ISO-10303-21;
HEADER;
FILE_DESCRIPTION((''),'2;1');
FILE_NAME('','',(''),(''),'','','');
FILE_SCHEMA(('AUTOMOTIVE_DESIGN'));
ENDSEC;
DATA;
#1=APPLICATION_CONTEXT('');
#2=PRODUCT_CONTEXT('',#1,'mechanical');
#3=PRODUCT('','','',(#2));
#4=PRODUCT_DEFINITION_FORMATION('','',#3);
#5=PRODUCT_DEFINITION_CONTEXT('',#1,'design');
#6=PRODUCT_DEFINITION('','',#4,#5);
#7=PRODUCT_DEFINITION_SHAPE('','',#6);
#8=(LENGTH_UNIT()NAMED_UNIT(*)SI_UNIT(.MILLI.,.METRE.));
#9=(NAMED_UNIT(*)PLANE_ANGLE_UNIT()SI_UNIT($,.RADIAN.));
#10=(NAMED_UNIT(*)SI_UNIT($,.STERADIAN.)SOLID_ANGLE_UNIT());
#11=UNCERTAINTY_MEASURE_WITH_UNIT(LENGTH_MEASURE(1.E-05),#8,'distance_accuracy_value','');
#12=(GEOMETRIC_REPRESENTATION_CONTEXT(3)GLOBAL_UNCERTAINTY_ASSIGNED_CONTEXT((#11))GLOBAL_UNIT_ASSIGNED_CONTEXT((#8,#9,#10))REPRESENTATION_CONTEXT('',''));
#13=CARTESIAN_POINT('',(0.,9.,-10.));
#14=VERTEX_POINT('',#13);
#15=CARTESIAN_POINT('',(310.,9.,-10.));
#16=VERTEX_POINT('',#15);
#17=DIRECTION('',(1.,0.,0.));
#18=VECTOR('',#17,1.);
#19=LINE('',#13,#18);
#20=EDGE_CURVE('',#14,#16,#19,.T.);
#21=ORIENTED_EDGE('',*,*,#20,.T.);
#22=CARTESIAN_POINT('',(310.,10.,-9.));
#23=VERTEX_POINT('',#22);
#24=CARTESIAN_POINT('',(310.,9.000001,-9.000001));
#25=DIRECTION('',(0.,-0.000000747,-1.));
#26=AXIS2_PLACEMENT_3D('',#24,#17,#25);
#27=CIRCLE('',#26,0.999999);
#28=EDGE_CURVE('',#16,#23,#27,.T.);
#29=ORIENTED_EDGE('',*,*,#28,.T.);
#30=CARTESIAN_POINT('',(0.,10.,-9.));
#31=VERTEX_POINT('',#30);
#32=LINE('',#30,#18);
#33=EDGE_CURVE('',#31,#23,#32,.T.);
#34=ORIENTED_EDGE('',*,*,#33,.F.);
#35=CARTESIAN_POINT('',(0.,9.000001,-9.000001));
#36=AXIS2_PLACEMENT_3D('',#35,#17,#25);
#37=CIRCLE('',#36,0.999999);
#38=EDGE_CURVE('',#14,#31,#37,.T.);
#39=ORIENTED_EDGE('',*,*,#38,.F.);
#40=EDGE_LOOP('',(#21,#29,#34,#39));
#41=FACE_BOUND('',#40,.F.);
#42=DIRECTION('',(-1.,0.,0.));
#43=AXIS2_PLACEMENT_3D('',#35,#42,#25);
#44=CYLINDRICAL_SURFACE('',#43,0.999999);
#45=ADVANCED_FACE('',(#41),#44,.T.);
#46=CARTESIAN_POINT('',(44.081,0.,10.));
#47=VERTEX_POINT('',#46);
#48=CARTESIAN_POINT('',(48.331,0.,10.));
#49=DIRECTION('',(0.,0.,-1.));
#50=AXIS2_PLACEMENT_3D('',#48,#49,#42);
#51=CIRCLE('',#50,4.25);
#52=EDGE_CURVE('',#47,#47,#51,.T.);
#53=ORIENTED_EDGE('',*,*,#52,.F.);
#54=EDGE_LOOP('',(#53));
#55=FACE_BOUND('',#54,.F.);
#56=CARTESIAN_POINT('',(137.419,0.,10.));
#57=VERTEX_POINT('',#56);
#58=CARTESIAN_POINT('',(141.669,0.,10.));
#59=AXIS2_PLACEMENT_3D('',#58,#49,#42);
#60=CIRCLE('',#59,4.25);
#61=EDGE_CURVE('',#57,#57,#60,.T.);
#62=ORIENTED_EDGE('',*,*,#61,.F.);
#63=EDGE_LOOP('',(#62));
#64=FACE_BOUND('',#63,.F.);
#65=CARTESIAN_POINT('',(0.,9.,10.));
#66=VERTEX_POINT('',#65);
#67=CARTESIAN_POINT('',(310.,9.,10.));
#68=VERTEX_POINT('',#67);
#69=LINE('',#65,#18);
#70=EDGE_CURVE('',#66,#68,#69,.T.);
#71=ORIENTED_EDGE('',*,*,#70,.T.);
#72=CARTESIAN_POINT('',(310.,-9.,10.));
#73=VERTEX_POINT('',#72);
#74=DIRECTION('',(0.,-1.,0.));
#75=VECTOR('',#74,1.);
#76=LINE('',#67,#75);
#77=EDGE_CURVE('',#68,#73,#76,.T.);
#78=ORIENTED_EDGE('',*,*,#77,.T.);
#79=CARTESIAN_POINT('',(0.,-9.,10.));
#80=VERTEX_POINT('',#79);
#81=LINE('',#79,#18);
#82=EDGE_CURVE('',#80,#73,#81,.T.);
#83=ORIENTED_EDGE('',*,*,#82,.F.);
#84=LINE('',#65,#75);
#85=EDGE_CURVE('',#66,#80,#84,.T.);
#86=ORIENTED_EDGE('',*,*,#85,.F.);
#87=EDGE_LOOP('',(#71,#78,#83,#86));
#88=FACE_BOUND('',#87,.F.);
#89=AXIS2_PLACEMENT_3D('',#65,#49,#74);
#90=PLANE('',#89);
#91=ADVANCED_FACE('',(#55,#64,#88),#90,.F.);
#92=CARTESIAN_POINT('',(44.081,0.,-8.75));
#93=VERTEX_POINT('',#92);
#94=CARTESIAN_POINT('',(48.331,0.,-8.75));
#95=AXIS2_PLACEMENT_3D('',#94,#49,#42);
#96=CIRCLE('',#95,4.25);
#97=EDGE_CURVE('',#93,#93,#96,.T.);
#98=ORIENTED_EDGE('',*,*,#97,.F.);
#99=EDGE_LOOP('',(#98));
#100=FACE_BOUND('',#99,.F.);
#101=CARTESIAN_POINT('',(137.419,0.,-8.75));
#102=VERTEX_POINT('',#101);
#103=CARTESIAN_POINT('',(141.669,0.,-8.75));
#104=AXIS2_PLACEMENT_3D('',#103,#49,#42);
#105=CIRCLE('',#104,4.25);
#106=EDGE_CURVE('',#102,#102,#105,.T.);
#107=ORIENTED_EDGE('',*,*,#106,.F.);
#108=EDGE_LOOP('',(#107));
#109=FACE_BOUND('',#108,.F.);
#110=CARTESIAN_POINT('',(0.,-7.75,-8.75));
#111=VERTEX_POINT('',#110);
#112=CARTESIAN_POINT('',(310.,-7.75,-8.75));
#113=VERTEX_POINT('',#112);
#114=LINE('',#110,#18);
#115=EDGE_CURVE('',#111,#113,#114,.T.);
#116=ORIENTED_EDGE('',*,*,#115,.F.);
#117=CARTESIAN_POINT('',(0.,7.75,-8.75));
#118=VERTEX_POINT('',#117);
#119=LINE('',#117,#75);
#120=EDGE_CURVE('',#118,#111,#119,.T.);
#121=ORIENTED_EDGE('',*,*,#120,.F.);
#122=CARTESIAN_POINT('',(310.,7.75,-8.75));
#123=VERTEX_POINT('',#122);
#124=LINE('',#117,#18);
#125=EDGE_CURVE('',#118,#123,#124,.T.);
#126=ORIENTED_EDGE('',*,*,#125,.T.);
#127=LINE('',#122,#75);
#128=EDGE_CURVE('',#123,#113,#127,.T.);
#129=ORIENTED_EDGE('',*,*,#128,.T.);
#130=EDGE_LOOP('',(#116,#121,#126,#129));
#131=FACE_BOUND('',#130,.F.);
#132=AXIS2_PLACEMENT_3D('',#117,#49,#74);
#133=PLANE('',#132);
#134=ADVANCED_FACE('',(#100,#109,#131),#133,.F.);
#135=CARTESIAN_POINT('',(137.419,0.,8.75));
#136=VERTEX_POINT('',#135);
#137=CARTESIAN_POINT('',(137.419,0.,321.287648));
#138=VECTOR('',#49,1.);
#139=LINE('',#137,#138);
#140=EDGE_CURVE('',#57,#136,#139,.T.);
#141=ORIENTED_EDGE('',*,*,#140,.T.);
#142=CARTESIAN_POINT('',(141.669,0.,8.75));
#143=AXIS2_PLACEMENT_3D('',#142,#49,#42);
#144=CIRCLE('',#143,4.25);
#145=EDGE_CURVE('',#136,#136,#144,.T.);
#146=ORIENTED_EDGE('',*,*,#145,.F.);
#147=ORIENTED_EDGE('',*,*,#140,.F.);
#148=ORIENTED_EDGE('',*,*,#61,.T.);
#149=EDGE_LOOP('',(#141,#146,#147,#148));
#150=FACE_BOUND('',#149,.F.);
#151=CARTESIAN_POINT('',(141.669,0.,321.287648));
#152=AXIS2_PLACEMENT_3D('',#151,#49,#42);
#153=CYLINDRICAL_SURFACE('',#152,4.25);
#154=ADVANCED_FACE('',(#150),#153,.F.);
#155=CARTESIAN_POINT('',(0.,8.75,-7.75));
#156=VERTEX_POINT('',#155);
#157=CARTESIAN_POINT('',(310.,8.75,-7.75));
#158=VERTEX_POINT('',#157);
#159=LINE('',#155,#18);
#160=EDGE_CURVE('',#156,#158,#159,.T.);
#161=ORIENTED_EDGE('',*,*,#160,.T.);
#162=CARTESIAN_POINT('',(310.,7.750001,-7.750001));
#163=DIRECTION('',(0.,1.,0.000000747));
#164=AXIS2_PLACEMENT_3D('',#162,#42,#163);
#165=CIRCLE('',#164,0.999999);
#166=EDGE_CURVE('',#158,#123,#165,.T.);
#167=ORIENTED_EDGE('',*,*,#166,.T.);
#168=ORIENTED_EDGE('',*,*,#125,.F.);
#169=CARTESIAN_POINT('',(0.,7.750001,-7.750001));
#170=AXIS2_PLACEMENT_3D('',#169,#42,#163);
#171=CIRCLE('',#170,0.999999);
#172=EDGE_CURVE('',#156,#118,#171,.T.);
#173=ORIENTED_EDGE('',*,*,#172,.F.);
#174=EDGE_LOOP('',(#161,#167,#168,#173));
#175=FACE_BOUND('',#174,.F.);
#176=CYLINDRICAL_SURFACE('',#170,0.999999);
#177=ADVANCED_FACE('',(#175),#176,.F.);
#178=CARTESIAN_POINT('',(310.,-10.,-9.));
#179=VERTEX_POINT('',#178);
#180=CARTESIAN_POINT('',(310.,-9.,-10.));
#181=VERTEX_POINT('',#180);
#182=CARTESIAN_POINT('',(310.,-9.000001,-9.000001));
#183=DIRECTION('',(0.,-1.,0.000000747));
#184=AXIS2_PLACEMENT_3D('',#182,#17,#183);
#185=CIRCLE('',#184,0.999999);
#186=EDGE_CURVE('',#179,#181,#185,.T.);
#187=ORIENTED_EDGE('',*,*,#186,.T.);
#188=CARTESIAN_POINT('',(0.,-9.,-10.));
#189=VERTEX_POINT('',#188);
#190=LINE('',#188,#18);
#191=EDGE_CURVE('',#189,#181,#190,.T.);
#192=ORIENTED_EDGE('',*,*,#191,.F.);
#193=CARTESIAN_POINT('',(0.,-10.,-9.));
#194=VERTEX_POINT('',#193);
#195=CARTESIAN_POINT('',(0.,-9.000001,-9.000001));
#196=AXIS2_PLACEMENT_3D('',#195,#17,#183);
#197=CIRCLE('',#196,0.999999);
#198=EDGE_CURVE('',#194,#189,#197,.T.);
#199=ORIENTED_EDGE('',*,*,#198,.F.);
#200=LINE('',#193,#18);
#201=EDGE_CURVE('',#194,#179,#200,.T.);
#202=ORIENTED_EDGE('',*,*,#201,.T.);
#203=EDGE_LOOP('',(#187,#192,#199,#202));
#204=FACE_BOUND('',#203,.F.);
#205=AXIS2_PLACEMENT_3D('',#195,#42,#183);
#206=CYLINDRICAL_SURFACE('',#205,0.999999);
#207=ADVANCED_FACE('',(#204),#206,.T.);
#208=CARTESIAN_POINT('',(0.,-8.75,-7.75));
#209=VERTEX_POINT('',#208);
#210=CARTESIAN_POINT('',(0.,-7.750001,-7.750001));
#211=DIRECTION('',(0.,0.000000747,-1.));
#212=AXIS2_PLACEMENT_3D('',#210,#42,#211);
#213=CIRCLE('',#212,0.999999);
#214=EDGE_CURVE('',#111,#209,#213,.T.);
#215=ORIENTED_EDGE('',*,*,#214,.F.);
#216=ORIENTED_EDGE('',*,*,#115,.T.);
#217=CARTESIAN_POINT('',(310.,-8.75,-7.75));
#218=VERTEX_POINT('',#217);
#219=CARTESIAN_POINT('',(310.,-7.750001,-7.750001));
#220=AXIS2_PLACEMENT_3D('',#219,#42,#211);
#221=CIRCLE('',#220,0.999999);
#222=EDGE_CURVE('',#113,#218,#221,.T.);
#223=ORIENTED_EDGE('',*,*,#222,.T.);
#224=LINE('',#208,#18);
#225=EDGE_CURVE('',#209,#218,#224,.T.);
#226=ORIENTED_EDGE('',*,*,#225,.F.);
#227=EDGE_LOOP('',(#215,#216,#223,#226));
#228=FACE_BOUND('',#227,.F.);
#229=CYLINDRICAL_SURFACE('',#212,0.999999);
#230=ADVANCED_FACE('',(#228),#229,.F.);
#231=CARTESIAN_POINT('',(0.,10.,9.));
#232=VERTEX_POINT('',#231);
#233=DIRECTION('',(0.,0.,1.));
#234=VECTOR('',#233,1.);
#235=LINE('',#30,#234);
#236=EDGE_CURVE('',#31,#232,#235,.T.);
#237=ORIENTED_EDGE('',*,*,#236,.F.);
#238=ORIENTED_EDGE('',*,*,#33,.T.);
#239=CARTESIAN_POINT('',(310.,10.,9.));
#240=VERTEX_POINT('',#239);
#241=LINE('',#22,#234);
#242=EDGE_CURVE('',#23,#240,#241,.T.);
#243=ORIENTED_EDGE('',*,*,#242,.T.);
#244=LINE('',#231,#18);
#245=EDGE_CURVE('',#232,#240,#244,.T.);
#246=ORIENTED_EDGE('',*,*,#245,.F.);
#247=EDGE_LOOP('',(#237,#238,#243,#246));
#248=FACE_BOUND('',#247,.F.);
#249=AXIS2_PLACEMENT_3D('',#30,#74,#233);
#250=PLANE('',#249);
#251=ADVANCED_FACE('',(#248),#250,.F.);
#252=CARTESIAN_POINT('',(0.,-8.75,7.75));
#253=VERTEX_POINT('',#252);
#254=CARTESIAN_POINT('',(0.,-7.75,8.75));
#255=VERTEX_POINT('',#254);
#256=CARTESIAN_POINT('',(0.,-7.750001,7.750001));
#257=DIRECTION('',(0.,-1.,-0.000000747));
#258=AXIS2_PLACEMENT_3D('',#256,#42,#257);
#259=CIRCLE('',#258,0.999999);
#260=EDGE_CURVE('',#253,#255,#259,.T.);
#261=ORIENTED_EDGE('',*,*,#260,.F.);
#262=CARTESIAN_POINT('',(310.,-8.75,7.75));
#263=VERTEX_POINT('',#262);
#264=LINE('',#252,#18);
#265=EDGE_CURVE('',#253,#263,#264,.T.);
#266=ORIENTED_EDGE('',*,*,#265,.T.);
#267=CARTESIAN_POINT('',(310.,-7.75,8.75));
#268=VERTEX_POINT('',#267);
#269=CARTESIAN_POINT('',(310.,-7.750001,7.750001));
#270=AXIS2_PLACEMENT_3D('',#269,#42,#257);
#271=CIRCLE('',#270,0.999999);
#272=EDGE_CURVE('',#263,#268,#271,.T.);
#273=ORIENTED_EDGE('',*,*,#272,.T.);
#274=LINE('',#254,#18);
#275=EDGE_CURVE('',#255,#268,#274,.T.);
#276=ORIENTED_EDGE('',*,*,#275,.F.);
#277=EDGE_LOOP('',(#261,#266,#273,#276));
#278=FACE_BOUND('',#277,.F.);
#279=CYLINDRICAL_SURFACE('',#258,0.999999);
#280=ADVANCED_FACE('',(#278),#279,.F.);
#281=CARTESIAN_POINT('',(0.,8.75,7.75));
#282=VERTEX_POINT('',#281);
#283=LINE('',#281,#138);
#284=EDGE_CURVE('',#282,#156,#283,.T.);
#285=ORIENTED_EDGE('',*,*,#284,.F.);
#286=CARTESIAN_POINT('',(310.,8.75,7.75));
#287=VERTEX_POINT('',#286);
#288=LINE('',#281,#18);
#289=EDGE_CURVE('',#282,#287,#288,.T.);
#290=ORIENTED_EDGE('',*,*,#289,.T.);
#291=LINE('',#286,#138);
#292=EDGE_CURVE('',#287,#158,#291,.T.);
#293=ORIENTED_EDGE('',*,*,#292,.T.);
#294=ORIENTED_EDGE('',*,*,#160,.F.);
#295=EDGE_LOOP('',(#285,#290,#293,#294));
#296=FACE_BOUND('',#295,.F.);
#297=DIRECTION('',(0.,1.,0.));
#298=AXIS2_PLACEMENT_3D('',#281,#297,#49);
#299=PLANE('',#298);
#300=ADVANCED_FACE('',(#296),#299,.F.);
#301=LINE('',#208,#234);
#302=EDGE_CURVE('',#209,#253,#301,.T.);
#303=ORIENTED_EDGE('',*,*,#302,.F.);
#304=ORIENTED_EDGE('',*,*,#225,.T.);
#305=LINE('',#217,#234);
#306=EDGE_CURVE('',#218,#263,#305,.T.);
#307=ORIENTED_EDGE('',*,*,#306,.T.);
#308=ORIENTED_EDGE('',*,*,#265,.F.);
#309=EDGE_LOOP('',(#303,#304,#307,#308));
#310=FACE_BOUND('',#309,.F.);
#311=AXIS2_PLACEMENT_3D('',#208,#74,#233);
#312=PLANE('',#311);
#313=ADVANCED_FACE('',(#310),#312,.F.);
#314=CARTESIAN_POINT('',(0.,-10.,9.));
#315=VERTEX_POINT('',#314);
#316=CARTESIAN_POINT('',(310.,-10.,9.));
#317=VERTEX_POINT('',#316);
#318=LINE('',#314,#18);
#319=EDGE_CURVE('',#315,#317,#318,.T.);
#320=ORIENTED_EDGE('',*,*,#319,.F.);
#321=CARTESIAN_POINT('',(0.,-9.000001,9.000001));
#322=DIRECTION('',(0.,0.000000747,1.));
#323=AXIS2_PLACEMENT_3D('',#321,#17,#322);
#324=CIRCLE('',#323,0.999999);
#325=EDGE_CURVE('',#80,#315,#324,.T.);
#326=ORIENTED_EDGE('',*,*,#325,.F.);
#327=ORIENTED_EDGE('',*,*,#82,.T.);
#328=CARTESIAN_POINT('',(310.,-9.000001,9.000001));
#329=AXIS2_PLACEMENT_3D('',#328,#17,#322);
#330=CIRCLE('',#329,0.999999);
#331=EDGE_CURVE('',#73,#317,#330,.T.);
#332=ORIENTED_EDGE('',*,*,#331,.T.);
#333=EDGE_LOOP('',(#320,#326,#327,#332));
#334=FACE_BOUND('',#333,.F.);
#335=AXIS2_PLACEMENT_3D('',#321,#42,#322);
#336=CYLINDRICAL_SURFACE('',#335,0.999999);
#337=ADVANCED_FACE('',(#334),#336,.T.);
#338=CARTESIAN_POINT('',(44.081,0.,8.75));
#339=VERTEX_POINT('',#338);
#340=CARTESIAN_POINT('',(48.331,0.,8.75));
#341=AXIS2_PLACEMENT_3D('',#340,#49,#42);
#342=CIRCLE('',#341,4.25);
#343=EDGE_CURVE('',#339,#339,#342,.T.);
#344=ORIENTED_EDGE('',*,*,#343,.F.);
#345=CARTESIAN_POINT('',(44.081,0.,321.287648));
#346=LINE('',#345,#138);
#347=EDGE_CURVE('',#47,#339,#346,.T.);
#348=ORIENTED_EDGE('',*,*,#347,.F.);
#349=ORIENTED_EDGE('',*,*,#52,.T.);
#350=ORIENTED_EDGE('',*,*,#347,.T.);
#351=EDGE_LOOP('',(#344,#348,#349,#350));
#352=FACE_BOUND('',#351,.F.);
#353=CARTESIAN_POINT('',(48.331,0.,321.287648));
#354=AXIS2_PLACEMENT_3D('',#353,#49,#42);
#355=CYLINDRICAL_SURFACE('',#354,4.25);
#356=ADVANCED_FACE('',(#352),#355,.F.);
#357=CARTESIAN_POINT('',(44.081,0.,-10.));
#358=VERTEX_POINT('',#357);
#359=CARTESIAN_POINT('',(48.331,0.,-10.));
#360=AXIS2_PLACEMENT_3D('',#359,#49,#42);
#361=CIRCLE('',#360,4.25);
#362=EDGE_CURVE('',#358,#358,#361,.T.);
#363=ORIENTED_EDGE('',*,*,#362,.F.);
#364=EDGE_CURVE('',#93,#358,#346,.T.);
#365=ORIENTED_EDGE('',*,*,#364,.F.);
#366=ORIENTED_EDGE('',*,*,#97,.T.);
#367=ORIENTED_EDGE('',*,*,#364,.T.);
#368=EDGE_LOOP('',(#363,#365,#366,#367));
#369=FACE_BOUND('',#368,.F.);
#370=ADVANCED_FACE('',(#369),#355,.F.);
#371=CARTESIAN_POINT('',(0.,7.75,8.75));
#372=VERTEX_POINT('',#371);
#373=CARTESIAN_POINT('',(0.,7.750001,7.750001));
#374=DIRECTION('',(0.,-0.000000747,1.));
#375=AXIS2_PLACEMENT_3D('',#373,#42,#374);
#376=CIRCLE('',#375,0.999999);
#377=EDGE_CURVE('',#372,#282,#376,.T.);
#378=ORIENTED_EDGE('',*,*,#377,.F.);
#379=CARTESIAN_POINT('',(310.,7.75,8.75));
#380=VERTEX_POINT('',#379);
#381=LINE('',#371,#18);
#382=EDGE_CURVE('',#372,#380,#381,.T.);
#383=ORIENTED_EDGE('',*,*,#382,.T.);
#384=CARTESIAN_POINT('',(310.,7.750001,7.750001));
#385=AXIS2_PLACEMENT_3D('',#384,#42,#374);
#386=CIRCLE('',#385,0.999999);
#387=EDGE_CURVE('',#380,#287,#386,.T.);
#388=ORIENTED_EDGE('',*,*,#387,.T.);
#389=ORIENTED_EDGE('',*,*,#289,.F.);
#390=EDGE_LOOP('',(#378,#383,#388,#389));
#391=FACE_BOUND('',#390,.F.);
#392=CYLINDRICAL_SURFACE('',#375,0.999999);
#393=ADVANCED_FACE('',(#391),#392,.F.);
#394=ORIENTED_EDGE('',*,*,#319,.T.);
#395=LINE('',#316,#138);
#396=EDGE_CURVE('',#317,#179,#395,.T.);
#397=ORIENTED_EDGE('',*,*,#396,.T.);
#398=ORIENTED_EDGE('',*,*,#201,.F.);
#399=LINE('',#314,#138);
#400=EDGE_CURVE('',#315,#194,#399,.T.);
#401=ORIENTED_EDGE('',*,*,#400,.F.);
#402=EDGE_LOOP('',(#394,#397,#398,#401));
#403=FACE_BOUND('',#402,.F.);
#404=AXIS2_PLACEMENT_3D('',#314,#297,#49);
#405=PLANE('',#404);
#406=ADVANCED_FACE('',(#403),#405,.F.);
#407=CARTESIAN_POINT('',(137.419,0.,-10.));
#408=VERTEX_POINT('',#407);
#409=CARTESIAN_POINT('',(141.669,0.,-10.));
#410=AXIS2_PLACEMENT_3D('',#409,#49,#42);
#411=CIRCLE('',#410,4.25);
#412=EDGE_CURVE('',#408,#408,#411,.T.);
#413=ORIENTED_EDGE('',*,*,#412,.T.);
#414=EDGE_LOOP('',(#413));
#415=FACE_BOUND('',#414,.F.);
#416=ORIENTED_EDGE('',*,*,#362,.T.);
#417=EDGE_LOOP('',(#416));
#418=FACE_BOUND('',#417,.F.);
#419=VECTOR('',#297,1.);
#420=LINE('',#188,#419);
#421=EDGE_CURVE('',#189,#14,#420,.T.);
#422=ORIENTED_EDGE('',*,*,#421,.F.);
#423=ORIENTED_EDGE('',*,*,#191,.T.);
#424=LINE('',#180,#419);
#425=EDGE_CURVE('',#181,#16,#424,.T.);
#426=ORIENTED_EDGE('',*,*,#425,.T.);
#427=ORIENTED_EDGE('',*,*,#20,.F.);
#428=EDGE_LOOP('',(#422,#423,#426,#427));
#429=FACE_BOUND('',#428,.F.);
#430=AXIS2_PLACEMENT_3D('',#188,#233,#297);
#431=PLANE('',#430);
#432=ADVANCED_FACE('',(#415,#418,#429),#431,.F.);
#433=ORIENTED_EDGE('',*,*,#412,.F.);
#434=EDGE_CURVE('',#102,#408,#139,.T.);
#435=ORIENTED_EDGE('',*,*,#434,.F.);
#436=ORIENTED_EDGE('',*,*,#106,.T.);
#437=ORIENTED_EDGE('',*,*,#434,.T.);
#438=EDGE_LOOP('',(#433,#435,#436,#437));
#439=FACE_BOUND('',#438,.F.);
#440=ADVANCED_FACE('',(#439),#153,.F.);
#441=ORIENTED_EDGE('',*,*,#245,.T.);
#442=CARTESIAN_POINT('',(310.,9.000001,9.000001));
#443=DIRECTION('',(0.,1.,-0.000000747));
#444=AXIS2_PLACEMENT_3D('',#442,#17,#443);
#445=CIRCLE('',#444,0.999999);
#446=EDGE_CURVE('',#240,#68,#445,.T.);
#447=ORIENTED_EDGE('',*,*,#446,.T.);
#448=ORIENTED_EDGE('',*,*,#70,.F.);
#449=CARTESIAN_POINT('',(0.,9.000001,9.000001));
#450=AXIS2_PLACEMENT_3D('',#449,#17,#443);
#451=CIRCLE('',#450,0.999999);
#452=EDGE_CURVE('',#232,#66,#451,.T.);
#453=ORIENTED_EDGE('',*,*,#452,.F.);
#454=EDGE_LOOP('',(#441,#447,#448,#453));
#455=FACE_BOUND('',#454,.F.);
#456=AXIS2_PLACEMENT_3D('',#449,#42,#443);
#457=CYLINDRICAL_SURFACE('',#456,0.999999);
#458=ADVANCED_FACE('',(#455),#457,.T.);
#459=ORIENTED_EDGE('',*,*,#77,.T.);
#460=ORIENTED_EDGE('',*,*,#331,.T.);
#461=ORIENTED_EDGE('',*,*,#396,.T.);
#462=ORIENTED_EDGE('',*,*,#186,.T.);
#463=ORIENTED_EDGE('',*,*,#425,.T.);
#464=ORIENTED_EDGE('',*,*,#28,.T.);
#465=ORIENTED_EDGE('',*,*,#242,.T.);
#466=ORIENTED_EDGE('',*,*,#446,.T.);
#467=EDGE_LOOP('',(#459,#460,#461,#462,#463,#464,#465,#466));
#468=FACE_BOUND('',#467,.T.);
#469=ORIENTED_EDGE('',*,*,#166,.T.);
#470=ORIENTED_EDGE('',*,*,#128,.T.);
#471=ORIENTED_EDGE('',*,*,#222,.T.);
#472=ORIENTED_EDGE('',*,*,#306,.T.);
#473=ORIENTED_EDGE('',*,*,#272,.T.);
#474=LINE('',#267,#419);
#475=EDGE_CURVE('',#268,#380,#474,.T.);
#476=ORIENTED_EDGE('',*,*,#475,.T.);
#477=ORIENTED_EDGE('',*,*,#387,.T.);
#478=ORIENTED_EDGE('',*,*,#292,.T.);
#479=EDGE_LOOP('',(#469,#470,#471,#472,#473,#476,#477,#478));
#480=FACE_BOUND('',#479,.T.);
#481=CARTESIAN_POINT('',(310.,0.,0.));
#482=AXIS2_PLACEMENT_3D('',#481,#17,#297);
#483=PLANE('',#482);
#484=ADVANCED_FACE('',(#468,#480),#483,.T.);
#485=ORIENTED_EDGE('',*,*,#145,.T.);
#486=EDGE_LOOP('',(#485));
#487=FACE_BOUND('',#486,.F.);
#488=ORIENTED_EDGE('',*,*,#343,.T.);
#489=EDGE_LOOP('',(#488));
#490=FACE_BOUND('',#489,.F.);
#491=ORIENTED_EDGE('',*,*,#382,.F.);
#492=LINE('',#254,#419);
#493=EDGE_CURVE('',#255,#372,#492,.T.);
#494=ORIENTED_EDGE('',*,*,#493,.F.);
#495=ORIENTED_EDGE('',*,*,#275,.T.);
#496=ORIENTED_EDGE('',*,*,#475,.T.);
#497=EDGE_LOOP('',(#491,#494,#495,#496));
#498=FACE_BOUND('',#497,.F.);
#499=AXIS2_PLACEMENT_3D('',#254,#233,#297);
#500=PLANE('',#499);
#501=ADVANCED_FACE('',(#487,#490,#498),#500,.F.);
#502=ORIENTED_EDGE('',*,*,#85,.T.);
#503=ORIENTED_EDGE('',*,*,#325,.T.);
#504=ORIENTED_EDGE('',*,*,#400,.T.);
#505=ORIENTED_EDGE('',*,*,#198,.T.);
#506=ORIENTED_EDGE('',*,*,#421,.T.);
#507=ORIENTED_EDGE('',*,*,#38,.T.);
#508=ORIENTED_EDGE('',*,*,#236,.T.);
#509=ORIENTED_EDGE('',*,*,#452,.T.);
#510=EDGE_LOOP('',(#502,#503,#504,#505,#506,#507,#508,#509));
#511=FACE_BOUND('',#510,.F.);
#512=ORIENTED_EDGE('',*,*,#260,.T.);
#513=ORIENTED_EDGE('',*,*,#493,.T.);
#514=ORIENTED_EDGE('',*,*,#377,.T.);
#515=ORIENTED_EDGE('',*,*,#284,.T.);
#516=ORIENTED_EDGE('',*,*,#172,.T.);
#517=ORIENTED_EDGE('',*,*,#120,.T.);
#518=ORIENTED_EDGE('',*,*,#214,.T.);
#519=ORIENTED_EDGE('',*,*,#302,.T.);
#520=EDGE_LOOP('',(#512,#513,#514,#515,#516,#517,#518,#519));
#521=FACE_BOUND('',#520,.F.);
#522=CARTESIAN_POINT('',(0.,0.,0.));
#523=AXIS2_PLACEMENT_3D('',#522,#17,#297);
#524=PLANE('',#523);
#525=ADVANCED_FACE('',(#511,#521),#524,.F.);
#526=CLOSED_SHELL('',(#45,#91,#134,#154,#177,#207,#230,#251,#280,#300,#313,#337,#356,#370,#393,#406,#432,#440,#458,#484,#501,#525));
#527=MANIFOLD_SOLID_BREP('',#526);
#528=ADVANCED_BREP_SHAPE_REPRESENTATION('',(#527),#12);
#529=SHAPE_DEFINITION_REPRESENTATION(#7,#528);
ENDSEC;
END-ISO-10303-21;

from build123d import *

# Parameters (mm, degrees)
F1_DEPTH = 310
F3_D     = 8.5


with BuildPart() as f1:
    # F0 (on Right) → F1 (new body)
    with BuildSketch(Plane.YZ):
        with BuildLine():
            Line((9, 10), (-9, 10))
            ThreePointArc((-9, 10), (-9.707107, 9.707107), (-10, 9))
            Line((-10, 9), (-10, -9))
            ThreePointArc((-10, -9), (-9.707107, -9.707107), (-9, -10))
            Line((-9, -10), (9, -10))
            ThreePointArc((9, -10), (9.707107, -9.707107), (10, -9))
            Line((10, -9), (10, 9))
            ThreePointArc((10, 9), (9.707107, 9.707107), (9, 10))
        make_face()
        with BuildLine():
            ThreePointArc((-8.75, 7.75), (-8.457107, 8.457107), (-7.75, 8.75))
            Line((-7.75, 8.75), (7.75, 8.75))
            ThreePointArc((7.75, 8.75), (8.457107, 8.457107), (8.75, 7.75))
            Line((8.75, 7.75), (8.75, -7.75))
            ThreePointArc((8.75, -7.75), (8.457107, -8.457107), (7.75, -8.75))
            Line((7.75, -8.75), (-7.75, -8.75))
            ThreePointArc((-7.75, -8.75), (-8.457107, -8.457107), (-8.75, -7.75))
            Line((-8.75, -7.75), (-8.75, 7.75))
        make_face(mode=Mode.SUBTRACT)
    extrude(amount=F1_DEPTH)

    # F3 (through all)
    with Locations(Plane.XY.offset(10)):
        with Locations((48.331, 0), (141.669, 0)):
            Hole(F3_D / 2)


solid = f1.part
